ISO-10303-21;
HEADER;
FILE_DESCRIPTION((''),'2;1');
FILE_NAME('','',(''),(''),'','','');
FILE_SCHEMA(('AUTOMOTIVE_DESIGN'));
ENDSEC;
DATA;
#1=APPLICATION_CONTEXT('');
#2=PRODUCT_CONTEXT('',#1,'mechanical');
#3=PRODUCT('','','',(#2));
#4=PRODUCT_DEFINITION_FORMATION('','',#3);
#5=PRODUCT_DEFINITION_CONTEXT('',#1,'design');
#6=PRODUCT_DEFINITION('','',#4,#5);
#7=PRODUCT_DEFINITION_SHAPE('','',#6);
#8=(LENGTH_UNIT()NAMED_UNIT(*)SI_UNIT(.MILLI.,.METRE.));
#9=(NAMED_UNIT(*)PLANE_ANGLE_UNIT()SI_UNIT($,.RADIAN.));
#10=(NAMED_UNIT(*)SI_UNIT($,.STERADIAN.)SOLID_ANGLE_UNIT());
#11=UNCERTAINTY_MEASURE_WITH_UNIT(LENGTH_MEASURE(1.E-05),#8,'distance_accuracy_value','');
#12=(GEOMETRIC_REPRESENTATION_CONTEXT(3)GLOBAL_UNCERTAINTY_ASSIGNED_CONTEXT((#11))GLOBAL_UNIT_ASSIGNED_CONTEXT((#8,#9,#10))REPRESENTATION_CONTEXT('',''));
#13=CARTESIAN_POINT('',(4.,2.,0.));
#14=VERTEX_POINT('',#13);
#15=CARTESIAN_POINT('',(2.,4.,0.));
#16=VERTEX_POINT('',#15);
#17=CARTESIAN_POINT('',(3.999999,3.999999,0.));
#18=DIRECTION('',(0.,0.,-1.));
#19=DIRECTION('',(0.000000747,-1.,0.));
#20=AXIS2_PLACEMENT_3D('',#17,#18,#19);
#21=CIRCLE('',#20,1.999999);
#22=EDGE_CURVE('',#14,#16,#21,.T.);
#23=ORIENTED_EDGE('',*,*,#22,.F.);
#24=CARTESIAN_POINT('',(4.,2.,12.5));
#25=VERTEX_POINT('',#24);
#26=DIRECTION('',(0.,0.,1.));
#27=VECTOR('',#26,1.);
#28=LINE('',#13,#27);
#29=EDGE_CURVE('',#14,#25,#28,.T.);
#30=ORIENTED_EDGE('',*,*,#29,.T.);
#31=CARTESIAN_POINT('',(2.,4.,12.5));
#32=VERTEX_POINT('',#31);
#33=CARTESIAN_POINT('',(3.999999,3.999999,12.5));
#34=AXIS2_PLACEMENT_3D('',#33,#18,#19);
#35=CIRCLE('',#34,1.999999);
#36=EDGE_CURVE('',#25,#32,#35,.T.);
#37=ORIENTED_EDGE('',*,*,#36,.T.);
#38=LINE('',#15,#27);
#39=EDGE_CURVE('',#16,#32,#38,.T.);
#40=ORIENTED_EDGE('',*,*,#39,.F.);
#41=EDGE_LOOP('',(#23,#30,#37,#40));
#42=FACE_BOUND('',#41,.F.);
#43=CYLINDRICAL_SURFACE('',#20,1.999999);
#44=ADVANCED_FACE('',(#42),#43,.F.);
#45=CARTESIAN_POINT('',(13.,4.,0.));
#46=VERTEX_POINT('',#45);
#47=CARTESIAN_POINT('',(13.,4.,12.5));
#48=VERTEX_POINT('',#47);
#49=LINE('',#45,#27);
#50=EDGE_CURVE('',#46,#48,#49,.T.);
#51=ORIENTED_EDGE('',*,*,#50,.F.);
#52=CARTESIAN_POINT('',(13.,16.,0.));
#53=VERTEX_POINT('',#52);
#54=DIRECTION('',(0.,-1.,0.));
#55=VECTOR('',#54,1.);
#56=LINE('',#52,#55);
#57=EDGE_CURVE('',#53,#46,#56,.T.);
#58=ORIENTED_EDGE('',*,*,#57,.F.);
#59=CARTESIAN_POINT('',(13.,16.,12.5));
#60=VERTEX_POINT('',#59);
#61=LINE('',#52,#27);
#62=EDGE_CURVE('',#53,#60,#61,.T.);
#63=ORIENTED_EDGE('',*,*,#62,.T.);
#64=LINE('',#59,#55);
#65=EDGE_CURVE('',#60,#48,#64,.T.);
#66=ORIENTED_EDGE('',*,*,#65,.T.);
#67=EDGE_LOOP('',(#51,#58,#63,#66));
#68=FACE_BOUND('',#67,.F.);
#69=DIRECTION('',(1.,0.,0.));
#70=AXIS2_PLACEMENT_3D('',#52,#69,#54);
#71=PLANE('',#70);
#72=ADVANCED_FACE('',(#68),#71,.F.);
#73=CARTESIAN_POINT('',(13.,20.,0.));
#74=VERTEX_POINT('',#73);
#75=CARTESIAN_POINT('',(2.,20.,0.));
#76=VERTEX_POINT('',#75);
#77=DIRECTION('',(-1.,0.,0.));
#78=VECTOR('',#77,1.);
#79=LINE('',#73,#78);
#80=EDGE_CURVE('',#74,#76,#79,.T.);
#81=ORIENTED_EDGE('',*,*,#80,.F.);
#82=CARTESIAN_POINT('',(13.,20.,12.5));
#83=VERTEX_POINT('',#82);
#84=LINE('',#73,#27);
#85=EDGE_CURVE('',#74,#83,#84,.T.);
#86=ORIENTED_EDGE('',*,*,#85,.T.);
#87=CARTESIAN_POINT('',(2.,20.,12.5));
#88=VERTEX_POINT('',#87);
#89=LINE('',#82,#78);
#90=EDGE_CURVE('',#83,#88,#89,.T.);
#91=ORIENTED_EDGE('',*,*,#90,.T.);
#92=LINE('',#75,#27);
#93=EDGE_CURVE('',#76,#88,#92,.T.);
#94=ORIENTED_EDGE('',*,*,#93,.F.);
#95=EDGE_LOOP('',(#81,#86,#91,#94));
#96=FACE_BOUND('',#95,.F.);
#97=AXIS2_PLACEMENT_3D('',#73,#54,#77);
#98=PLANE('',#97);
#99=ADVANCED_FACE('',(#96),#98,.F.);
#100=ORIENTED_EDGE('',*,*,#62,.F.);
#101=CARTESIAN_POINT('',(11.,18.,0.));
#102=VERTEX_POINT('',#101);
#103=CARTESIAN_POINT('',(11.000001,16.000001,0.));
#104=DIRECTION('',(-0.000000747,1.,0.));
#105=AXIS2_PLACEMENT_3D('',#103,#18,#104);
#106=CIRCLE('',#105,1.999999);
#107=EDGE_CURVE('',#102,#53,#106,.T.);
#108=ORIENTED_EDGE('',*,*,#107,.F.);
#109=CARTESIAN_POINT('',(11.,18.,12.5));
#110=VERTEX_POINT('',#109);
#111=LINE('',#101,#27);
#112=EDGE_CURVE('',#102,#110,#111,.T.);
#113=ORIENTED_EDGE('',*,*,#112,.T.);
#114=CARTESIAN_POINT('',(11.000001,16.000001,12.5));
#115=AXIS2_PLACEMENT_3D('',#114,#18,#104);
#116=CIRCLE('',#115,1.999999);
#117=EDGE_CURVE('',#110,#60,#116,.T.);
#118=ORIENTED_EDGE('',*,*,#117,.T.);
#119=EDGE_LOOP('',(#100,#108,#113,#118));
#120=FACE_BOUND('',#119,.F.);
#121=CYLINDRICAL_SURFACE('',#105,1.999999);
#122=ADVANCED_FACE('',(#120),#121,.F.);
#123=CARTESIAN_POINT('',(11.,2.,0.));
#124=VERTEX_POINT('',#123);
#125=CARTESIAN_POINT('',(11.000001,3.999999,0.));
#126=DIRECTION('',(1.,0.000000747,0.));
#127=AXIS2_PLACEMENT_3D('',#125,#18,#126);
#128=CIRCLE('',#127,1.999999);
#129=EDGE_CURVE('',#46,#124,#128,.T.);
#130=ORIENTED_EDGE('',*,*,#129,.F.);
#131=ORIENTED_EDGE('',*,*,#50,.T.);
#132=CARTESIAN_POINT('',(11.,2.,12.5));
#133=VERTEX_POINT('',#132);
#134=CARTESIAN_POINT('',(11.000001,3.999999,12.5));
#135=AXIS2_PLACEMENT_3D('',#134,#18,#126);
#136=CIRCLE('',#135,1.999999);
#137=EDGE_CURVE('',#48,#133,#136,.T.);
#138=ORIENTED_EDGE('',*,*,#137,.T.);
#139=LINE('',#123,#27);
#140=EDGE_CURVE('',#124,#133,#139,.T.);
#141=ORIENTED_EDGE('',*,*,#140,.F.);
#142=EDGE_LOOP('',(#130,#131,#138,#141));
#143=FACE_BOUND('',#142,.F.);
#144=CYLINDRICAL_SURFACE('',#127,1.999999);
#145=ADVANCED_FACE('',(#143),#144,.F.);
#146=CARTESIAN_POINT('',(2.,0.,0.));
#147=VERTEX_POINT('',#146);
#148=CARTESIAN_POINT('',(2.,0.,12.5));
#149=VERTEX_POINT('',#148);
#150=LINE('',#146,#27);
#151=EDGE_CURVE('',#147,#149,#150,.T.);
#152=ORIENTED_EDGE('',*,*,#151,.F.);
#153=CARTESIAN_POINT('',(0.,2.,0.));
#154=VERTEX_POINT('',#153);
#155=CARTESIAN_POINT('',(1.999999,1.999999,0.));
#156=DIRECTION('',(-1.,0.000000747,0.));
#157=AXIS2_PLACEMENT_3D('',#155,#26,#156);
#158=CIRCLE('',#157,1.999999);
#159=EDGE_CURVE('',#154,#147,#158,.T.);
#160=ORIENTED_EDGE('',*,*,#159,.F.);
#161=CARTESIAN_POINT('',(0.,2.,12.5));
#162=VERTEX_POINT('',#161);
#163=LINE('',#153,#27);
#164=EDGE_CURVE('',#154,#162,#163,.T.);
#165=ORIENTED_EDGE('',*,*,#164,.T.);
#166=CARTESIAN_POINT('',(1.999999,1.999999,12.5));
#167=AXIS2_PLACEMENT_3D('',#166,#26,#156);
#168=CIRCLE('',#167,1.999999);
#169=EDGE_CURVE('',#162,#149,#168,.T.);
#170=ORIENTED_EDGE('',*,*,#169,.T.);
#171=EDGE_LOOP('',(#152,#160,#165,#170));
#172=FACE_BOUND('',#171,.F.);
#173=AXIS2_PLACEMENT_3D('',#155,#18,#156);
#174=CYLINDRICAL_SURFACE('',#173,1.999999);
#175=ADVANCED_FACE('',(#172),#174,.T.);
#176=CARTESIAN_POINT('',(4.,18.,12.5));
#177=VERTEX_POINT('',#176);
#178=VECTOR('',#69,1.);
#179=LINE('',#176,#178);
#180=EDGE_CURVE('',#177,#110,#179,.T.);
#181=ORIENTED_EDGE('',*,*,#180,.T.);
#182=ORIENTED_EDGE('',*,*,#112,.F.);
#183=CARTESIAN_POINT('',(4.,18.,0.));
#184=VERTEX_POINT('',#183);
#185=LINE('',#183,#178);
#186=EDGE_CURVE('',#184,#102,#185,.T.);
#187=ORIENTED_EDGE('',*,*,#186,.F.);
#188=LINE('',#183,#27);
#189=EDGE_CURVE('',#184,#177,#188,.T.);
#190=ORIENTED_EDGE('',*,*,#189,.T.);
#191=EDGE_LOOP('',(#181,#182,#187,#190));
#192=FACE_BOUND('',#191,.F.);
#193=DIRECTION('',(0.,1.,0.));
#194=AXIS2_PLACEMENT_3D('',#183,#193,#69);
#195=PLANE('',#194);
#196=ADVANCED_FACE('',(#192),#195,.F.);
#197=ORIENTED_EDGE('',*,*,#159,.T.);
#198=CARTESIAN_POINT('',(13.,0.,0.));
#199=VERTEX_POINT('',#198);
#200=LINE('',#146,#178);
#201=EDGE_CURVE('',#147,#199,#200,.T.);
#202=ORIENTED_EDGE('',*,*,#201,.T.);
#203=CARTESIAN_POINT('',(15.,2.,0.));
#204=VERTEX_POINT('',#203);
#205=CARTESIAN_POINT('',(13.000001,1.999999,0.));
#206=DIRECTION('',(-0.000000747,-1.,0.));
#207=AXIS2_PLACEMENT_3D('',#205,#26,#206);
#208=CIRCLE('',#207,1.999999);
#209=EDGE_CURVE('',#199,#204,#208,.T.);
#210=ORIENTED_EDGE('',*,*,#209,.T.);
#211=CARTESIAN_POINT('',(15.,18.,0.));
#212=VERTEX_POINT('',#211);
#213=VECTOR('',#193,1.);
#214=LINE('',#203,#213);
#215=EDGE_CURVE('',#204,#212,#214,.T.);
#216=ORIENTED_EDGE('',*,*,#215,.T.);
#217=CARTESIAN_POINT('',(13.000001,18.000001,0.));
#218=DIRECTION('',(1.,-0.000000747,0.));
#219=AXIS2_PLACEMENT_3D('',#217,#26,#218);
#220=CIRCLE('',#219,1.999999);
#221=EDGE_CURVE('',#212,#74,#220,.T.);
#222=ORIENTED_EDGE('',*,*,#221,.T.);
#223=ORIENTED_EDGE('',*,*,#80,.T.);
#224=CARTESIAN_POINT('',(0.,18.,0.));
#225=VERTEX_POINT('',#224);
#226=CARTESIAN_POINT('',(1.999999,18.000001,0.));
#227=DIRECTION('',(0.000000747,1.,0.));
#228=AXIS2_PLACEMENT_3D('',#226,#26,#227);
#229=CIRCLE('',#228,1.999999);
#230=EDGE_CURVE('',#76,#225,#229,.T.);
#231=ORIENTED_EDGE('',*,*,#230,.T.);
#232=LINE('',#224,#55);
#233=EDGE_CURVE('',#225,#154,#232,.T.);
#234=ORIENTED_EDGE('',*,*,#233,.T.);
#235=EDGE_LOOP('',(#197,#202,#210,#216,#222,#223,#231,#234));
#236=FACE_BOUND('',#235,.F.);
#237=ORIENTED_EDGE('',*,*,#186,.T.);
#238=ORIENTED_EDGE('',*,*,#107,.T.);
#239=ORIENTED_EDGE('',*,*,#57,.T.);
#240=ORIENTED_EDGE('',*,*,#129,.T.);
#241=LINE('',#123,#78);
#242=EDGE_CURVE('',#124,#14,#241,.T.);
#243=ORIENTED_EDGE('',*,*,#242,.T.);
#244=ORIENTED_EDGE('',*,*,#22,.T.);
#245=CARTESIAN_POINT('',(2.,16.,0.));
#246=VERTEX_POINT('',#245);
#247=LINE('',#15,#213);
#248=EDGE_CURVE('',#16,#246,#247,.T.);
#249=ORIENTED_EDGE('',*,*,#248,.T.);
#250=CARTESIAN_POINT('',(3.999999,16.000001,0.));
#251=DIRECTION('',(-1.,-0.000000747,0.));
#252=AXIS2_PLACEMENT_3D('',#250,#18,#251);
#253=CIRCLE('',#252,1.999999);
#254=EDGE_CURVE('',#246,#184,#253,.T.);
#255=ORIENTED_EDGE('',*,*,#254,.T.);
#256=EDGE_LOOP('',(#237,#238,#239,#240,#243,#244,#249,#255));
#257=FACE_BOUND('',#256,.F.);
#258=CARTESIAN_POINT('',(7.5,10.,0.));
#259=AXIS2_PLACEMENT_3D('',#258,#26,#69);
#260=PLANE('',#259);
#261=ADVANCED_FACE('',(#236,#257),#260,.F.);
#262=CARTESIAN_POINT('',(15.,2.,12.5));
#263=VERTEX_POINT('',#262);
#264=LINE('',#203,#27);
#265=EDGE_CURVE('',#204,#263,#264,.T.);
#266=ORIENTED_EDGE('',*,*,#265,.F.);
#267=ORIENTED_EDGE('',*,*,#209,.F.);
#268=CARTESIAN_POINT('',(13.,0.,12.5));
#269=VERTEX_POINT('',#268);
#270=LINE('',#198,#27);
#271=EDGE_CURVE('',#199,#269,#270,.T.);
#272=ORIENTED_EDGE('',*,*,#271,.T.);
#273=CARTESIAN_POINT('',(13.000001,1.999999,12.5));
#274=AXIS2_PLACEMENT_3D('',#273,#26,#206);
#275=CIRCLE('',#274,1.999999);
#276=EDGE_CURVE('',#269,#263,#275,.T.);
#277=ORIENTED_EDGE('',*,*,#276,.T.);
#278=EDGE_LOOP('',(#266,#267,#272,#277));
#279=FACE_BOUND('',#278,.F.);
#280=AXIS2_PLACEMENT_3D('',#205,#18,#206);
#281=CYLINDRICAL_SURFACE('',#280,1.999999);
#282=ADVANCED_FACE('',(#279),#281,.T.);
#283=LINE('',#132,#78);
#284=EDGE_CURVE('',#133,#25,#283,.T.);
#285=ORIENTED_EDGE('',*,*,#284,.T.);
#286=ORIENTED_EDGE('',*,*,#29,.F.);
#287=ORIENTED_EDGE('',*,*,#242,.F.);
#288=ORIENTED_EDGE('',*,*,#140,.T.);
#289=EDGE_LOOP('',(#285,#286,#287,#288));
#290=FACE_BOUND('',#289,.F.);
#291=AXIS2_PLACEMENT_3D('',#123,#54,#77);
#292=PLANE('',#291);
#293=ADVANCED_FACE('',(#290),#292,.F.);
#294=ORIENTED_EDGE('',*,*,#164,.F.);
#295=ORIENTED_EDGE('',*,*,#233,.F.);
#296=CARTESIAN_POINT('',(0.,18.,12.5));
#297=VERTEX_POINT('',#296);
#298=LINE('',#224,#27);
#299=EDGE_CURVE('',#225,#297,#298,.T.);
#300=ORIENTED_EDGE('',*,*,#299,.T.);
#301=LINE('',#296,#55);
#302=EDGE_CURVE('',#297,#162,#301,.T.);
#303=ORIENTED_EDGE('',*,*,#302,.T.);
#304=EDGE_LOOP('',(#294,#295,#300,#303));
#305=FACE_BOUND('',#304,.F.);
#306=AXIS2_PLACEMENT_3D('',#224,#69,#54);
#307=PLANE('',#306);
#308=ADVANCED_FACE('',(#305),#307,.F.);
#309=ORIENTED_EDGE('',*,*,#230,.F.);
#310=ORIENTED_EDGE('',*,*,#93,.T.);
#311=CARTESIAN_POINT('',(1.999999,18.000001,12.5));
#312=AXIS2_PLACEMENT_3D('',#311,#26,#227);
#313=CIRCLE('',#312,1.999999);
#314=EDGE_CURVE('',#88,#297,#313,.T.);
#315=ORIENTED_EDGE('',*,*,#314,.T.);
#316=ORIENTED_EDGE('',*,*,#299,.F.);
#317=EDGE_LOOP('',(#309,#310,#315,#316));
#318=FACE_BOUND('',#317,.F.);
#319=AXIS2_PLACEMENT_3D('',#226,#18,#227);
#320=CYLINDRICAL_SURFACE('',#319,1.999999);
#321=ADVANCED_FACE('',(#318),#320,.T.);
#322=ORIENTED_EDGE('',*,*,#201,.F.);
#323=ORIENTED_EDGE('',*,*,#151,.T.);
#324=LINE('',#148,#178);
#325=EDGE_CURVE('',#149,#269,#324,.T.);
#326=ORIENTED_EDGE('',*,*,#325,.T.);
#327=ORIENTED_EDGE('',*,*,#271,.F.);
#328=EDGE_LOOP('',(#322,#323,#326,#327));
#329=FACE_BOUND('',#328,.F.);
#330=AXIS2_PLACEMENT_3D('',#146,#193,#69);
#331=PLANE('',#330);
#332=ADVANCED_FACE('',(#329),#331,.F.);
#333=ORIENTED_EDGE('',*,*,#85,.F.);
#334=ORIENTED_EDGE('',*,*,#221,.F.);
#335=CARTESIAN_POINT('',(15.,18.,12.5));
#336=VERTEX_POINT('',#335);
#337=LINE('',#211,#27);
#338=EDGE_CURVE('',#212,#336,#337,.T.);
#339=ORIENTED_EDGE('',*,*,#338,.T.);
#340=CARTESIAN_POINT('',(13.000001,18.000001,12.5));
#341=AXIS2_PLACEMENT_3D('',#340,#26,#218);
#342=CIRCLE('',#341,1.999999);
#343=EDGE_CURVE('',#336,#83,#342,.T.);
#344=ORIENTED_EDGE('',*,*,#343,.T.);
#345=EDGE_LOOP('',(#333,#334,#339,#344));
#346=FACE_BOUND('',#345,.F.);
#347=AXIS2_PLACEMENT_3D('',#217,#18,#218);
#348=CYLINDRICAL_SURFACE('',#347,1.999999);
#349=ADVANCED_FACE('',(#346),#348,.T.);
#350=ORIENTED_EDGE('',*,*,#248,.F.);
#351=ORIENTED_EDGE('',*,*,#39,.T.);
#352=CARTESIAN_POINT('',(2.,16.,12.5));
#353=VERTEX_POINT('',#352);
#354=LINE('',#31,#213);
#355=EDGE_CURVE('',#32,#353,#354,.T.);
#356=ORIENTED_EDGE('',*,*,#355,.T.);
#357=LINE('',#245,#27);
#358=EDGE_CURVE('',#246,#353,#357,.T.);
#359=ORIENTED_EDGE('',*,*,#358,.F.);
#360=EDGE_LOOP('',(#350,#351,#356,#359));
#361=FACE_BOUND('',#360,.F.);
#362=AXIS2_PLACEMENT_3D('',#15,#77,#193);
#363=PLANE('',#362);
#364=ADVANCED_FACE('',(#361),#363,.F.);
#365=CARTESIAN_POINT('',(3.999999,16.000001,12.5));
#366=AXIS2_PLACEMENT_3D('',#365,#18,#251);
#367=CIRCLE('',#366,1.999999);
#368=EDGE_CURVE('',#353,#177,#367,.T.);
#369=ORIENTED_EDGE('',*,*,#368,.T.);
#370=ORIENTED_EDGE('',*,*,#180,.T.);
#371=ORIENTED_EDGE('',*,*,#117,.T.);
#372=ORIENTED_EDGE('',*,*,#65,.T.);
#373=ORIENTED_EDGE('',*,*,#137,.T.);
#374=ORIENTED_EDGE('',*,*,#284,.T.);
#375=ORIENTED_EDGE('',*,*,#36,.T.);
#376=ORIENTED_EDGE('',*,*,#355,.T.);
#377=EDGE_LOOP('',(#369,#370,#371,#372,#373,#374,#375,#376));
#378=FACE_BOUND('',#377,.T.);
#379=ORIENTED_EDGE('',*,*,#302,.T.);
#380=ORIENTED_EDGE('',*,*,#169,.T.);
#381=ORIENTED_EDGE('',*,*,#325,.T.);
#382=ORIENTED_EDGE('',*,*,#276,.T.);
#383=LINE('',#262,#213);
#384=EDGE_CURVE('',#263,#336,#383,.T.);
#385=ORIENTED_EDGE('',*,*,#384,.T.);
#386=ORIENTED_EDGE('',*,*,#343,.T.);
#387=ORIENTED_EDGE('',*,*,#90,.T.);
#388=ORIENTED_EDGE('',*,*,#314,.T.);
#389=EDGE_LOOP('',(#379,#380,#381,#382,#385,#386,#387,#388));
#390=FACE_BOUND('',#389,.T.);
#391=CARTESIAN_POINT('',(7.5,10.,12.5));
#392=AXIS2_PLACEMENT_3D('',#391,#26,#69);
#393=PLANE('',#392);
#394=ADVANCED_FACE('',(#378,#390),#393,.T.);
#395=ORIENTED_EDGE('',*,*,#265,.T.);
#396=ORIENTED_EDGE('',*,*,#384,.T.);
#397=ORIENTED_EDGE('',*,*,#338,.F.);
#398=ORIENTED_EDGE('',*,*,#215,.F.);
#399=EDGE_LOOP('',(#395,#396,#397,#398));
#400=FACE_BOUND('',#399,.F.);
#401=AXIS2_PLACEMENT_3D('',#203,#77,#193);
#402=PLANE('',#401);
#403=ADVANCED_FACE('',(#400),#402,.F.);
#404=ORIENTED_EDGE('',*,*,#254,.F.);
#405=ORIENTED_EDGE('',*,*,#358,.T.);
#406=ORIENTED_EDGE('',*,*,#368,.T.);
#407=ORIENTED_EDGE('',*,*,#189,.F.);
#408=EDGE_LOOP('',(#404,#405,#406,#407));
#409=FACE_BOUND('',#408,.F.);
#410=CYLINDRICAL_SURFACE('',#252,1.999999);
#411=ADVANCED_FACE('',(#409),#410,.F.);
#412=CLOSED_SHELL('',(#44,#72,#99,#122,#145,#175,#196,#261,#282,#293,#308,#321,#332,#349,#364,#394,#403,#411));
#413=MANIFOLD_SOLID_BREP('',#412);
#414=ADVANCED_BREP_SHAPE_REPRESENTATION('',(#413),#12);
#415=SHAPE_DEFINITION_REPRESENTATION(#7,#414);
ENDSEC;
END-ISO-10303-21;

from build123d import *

# Parameters (mm, degrees)
F1_DEPTH = 12.5


with BuildPart() as f1:
    # F0 (on Top) → F1 (new body)
    with BuildSketch(Plane.XY):
        with BuildLine():
            ThreePointArc((0, 2), (0.585786, 0.585786), (2, 0))
            Line((2, 0), (13, 0))
            ThreePointArc((13, 0), (14.414214, 0.585786), (15, 2))
            Line((15, 2), (15, 18))
            ThreePointArc((15, 18), (14.414214, 19.414214), (13, 20))
            Line((13, 20), (2, 20))
            ThreePointArc((2, 20), (0.585786, 19.414214), (0, 18))
            Line((0, 18), (0, 2))
        make_face()
        with BuildLine():
            ThreePointArc((2, 16), (2.585786, 17.414214), (4, 18))
            Line((4, 18), (11, 18))
            ThreePointArc((11, 18), (12.414214, 17.414214), (13, 16))
            Line((13, 16), (13, 4))
            ThreePointArc((13, 4), (12.414214, 2.585786), (11, 2))
            Line((11, 2), (4, 2))
            ThreePointArc((4, 2), (2.585786, 2.585786), (2, 4))
            Line((2, 4), (2, 16))
        make_face(mode=Mode.SUBTRACT)
    extrude(amount=F1_DEPTH)


solid = f1.part
